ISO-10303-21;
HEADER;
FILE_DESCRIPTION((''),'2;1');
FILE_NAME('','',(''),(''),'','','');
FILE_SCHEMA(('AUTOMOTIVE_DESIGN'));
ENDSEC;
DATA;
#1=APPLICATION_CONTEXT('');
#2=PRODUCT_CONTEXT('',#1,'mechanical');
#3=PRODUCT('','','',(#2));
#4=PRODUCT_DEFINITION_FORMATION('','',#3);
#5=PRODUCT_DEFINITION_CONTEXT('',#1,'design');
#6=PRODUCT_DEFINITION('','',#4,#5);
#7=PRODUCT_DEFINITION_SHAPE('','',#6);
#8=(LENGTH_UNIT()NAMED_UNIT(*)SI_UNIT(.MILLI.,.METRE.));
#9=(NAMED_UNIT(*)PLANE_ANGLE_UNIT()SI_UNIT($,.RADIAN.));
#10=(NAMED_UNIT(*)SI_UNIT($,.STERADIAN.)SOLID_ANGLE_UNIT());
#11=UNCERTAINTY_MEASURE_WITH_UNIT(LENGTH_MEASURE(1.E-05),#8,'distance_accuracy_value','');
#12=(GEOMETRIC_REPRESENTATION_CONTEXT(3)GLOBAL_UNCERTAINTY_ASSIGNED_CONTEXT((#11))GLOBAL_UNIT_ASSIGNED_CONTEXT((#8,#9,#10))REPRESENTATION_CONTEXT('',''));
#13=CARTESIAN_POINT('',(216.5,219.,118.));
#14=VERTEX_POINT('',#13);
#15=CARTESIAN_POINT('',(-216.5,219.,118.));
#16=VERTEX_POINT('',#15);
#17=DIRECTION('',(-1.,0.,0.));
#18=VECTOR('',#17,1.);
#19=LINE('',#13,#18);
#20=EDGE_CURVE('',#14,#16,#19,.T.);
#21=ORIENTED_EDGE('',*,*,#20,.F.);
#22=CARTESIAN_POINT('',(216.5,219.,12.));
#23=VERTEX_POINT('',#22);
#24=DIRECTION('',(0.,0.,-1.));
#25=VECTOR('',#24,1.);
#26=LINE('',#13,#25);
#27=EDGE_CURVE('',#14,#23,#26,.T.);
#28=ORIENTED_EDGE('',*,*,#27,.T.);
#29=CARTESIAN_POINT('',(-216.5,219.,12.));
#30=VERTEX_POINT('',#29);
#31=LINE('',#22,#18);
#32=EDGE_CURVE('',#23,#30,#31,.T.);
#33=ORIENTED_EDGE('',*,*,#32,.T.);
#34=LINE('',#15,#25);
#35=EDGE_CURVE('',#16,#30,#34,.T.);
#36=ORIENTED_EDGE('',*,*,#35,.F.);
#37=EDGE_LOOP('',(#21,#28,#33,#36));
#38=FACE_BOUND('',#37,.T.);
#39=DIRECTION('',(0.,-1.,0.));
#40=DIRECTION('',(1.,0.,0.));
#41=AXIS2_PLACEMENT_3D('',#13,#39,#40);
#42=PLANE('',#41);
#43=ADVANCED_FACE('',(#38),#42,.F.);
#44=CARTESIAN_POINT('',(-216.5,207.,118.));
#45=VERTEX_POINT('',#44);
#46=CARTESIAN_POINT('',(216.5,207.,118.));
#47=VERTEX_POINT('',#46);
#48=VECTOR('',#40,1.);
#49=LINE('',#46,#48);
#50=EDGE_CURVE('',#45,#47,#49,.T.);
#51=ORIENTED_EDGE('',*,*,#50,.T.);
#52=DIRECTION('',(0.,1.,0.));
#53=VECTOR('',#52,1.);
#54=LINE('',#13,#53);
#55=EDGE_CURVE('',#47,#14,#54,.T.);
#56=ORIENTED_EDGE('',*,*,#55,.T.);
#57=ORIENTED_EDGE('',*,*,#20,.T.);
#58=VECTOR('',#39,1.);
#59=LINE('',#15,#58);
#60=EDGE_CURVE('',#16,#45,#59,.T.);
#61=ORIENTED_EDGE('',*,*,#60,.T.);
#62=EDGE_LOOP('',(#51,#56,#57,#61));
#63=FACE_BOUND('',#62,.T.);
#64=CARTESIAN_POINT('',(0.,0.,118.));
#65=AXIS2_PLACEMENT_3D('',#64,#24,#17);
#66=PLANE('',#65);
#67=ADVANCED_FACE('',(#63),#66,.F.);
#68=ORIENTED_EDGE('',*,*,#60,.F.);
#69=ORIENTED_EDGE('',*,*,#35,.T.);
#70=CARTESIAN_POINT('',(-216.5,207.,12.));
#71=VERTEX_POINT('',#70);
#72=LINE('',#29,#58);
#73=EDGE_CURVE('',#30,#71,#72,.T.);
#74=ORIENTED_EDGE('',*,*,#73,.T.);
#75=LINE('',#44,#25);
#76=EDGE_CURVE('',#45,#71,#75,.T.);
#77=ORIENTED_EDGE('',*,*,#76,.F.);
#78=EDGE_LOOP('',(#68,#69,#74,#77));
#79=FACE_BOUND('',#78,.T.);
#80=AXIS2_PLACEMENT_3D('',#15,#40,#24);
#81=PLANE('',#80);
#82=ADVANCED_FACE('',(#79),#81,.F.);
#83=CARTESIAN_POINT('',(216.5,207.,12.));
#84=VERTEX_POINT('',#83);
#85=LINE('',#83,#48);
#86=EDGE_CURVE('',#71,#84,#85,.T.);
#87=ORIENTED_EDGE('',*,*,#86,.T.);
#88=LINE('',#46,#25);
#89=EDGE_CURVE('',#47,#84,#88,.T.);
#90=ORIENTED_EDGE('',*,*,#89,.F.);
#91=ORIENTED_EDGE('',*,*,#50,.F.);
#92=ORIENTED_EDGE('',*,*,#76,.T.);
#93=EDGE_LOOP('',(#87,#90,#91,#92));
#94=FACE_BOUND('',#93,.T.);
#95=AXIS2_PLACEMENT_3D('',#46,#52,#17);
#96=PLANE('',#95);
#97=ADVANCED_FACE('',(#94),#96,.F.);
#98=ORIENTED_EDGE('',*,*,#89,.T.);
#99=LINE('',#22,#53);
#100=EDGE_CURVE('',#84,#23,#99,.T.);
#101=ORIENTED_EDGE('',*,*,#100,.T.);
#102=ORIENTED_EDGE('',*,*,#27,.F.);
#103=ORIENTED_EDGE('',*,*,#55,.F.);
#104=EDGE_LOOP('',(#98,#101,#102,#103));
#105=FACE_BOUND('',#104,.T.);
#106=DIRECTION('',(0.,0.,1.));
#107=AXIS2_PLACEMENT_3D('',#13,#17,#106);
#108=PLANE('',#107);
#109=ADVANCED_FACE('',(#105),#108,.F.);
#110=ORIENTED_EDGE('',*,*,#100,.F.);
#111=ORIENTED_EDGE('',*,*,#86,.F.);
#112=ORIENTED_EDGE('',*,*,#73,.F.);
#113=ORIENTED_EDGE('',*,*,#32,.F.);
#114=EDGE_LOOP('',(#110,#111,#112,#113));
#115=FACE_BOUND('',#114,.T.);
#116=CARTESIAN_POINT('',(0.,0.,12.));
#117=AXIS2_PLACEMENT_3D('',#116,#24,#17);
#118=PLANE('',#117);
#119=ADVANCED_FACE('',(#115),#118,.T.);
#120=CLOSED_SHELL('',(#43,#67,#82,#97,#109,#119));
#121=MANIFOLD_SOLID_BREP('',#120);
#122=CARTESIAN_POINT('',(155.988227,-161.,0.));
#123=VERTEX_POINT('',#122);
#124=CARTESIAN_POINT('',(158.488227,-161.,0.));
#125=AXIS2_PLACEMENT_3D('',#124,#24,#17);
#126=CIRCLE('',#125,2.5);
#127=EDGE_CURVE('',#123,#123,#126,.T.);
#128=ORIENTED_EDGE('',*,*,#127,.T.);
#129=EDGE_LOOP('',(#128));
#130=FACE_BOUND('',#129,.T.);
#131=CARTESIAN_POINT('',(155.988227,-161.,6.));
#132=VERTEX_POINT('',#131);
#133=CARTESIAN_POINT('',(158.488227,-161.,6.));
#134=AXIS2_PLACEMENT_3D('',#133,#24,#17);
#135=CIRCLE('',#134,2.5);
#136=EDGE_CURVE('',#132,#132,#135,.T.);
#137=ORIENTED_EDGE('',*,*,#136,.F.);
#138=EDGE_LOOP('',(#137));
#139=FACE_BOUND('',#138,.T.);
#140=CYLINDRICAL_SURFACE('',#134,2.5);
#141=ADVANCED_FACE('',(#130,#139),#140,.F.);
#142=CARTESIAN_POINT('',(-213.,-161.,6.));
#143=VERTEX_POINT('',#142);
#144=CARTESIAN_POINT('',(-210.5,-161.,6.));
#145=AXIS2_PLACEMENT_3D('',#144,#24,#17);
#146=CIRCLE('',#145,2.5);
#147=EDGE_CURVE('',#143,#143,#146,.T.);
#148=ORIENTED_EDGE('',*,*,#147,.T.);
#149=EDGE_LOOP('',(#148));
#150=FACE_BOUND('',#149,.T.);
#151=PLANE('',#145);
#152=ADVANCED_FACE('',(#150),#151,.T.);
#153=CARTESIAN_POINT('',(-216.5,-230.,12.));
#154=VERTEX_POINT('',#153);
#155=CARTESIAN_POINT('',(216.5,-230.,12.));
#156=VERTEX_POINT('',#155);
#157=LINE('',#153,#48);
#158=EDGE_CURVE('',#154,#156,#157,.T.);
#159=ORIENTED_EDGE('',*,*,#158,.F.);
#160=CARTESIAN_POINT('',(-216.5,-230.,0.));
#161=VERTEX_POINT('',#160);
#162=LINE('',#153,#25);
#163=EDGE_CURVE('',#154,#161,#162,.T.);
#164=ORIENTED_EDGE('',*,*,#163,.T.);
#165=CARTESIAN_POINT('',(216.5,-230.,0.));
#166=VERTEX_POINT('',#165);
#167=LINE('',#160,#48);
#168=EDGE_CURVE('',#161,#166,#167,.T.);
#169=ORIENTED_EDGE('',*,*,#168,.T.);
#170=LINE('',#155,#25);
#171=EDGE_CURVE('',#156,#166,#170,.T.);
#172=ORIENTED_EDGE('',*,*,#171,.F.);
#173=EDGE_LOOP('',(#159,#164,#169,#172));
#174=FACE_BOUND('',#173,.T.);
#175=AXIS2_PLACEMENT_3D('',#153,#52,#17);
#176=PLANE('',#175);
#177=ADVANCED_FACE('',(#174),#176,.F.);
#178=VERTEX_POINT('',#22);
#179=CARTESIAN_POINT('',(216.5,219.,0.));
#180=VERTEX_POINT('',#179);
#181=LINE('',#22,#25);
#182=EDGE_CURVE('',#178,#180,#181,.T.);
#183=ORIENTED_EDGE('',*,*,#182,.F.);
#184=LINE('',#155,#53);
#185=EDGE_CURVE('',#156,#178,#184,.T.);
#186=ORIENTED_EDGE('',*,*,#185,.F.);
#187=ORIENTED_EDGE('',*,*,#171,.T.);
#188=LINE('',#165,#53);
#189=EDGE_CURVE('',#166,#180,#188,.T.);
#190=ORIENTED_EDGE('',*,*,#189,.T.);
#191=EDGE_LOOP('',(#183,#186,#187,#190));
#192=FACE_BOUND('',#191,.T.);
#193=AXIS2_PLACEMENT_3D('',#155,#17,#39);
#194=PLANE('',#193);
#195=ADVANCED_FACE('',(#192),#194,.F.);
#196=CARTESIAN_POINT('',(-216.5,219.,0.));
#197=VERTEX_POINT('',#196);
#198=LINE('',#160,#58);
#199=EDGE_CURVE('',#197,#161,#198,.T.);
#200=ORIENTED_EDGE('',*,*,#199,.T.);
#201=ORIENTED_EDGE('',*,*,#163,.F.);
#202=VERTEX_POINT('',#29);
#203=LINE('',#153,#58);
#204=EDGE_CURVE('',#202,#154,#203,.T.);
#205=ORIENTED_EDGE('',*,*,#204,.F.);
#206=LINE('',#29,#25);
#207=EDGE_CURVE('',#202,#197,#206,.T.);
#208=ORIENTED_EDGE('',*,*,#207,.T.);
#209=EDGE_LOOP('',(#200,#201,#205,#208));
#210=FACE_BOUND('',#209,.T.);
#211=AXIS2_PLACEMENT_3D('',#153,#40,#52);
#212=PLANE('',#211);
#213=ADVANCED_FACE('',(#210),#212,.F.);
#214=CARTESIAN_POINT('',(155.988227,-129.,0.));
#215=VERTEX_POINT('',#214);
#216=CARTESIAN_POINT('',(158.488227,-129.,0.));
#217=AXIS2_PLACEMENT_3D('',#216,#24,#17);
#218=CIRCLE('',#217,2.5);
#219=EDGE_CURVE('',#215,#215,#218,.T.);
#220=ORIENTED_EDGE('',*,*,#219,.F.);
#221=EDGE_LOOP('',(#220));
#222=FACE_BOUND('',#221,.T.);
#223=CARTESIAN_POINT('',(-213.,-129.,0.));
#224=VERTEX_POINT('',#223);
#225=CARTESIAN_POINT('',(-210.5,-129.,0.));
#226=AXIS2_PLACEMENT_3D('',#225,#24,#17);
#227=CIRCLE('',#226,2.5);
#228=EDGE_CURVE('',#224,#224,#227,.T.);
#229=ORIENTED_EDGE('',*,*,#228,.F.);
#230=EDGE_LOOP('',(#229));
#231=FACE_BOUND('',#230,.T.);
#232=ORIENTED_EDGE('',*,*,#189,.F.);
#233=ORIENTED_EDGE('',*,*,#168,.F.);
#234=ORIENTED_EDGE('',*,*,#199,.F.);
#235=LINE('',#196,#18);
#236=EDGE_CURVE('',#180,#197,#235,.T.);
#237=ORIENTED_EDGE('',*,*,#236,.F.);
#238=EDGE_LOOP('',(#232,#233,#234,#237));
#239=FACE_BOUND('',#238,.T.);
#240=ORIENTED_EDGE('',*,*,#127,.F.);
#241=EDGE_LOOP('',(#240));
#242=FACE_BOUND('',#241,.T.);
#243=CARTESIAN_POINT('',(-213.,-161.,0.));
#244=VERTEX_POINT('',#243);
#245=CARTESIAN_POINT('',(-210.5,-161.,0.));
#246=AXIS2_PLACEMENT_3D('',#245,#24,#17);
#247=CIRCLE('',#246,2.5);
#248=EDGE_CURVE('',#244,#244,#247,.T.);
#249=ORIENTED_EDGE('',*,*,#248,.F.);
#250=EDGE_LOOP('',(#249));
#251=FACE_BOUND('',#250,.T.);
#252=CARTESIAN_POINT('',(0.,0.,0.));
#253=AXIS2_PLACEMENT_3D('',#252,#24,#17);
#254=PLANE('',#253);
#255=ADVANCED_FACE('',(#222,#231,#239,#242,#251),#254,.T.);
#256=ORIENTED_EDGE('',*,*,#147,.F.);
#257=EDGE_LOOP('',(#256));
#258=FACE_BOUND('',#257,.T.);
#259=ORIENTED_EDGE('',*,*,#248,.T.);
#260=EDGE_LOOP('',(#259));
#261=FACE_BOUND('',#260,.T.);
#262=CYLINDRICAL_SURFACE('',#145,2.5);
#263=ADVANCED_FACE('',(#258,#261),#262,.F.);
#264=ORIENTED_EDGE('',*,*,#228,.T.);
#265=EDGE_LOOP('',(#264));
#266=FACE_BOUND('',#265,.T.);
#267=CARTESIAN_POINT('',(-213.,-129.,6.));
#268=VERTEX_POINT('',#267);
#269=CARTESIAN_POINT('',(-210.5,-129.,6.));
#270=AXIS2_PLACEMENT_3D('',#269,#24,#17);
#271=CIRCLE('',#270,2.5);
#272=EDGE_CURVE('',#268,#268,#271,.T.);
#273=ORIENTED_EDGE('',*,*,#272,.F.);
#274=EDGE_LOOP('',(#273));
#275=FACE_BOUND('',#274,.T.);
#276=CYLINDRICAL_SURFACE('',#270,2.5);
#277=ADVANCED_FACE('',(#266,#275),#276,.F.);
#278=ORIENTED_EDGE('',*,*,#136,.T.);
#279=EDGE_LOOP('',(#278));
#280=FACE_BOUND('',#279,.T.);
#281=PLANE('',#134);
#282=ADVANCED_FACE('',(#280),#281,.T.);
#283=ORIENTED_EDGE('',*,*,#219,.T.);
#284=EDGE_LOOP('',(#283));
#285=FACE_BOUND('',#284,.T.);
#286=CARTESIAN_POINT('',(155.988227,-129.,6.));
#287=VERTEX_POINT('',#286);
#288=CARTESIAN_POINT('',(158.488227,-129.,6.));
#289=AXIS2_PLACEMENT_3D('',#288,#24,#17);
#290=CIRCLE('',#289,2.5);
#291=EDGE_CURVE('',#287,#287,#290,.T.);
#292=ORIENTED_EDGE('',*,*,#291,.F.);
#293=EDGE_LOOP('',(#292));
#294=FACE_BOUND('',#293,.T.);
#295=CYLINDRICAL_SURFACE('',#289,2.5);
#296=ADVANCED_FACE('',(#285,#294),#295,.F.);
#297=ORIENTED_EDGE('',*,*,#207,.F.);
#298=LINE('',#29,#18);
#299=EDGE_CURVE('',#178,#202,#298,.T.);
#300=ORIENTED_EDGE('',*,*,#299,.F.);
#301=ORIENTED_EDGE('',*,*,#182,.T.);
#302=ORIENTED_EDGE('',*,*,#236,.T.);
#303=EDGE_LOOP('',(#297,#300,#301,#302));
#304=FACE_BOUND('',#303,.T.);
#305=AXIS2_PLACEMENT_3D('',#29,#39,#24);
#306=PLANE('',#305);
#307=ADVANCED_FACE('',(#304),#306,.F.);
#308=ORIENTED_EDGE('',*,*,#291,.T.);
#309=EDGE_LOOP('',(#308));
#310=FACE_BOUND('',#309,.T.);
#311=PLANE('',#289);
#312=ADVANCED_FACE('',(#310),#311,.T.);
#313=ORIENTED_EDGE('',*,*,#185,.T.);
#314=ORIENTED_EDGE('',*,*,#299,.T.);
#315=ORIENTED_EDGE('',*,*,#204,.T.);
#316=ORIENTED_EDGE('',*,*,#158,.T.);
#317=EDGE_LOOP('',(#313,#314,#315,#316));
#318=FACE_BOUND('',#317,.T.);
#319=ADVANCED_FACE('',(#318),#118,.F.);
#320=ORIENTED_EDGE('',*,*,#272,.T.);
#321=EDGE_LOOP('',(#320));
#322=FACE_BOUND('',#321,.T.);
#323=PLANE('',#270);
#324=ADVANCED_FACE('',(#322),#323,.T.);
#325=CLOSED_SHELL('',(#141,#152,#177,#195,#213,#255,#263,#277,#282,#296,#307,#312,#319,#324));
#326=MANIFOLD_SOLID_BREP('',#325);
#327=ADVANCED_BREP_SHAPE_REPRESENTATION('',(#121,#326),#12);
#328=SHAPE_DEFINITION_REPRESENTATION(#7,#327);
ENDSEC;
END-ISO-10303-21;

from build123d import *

# Parameters (mm, degrees)
SKETCH1_W           = 433
SKETCH1_H           = 449
BOSS_EXTRUDE1_DEPTH = 12
SKETCH2_W           = 433
SKETCH2_H           = 12
BOSS_EXTRUDE2_DEPTH = 106
SKETCH3_R           = 2.5
CUT_EXTRUDE1_DEPTH  = 6


with BuildPart() as part:
    # Sketch1 → Boss-Extrude1 (new body)
    with BuildSketch(Plane.XY):
        with Locations((0, -5.5)):
            Rectangle(SKETCH1_W, SKETCH1_H)
    extrude(amount=BOSS_EXTRUDE1_DEPTH)

    # Sketch3 → Cut-Extrude1 (cut)
    with BuildSketch(Plane(origin=(0, 0, 0), x_dir=(-1, 0, 0), z_dir=(0, 0, -1))):
        with Locations((210.5, -161)):
            Circle(SKETCH3_R)
        with Locations((210.5, -129)):
            Circle(SKETCH3_R)
        with Locations((-158.488226886, -129)):
            Circle(SKETCH3_R)
        with Locations((-158.488226886, -161)):
            Circle(SKETCH3_R)
    extrude(amount=-CUT_EXTRUDE1_DEPTH, mode=Mode.SUBTRACT)


with BuildPart() as body_2:
    # Sketch2 → Boss-Extrude2 (new body)
    with BuildSketch(Plane.XY.offset(12)):
        with Locations((0, 213)):
            Rectangle(SKETCH2_W, SKETCH2_H)
    extrude(amount=BOSS_EXTRUDE2_DEPTH)


solid = Compound([part.part, body_2.part])
